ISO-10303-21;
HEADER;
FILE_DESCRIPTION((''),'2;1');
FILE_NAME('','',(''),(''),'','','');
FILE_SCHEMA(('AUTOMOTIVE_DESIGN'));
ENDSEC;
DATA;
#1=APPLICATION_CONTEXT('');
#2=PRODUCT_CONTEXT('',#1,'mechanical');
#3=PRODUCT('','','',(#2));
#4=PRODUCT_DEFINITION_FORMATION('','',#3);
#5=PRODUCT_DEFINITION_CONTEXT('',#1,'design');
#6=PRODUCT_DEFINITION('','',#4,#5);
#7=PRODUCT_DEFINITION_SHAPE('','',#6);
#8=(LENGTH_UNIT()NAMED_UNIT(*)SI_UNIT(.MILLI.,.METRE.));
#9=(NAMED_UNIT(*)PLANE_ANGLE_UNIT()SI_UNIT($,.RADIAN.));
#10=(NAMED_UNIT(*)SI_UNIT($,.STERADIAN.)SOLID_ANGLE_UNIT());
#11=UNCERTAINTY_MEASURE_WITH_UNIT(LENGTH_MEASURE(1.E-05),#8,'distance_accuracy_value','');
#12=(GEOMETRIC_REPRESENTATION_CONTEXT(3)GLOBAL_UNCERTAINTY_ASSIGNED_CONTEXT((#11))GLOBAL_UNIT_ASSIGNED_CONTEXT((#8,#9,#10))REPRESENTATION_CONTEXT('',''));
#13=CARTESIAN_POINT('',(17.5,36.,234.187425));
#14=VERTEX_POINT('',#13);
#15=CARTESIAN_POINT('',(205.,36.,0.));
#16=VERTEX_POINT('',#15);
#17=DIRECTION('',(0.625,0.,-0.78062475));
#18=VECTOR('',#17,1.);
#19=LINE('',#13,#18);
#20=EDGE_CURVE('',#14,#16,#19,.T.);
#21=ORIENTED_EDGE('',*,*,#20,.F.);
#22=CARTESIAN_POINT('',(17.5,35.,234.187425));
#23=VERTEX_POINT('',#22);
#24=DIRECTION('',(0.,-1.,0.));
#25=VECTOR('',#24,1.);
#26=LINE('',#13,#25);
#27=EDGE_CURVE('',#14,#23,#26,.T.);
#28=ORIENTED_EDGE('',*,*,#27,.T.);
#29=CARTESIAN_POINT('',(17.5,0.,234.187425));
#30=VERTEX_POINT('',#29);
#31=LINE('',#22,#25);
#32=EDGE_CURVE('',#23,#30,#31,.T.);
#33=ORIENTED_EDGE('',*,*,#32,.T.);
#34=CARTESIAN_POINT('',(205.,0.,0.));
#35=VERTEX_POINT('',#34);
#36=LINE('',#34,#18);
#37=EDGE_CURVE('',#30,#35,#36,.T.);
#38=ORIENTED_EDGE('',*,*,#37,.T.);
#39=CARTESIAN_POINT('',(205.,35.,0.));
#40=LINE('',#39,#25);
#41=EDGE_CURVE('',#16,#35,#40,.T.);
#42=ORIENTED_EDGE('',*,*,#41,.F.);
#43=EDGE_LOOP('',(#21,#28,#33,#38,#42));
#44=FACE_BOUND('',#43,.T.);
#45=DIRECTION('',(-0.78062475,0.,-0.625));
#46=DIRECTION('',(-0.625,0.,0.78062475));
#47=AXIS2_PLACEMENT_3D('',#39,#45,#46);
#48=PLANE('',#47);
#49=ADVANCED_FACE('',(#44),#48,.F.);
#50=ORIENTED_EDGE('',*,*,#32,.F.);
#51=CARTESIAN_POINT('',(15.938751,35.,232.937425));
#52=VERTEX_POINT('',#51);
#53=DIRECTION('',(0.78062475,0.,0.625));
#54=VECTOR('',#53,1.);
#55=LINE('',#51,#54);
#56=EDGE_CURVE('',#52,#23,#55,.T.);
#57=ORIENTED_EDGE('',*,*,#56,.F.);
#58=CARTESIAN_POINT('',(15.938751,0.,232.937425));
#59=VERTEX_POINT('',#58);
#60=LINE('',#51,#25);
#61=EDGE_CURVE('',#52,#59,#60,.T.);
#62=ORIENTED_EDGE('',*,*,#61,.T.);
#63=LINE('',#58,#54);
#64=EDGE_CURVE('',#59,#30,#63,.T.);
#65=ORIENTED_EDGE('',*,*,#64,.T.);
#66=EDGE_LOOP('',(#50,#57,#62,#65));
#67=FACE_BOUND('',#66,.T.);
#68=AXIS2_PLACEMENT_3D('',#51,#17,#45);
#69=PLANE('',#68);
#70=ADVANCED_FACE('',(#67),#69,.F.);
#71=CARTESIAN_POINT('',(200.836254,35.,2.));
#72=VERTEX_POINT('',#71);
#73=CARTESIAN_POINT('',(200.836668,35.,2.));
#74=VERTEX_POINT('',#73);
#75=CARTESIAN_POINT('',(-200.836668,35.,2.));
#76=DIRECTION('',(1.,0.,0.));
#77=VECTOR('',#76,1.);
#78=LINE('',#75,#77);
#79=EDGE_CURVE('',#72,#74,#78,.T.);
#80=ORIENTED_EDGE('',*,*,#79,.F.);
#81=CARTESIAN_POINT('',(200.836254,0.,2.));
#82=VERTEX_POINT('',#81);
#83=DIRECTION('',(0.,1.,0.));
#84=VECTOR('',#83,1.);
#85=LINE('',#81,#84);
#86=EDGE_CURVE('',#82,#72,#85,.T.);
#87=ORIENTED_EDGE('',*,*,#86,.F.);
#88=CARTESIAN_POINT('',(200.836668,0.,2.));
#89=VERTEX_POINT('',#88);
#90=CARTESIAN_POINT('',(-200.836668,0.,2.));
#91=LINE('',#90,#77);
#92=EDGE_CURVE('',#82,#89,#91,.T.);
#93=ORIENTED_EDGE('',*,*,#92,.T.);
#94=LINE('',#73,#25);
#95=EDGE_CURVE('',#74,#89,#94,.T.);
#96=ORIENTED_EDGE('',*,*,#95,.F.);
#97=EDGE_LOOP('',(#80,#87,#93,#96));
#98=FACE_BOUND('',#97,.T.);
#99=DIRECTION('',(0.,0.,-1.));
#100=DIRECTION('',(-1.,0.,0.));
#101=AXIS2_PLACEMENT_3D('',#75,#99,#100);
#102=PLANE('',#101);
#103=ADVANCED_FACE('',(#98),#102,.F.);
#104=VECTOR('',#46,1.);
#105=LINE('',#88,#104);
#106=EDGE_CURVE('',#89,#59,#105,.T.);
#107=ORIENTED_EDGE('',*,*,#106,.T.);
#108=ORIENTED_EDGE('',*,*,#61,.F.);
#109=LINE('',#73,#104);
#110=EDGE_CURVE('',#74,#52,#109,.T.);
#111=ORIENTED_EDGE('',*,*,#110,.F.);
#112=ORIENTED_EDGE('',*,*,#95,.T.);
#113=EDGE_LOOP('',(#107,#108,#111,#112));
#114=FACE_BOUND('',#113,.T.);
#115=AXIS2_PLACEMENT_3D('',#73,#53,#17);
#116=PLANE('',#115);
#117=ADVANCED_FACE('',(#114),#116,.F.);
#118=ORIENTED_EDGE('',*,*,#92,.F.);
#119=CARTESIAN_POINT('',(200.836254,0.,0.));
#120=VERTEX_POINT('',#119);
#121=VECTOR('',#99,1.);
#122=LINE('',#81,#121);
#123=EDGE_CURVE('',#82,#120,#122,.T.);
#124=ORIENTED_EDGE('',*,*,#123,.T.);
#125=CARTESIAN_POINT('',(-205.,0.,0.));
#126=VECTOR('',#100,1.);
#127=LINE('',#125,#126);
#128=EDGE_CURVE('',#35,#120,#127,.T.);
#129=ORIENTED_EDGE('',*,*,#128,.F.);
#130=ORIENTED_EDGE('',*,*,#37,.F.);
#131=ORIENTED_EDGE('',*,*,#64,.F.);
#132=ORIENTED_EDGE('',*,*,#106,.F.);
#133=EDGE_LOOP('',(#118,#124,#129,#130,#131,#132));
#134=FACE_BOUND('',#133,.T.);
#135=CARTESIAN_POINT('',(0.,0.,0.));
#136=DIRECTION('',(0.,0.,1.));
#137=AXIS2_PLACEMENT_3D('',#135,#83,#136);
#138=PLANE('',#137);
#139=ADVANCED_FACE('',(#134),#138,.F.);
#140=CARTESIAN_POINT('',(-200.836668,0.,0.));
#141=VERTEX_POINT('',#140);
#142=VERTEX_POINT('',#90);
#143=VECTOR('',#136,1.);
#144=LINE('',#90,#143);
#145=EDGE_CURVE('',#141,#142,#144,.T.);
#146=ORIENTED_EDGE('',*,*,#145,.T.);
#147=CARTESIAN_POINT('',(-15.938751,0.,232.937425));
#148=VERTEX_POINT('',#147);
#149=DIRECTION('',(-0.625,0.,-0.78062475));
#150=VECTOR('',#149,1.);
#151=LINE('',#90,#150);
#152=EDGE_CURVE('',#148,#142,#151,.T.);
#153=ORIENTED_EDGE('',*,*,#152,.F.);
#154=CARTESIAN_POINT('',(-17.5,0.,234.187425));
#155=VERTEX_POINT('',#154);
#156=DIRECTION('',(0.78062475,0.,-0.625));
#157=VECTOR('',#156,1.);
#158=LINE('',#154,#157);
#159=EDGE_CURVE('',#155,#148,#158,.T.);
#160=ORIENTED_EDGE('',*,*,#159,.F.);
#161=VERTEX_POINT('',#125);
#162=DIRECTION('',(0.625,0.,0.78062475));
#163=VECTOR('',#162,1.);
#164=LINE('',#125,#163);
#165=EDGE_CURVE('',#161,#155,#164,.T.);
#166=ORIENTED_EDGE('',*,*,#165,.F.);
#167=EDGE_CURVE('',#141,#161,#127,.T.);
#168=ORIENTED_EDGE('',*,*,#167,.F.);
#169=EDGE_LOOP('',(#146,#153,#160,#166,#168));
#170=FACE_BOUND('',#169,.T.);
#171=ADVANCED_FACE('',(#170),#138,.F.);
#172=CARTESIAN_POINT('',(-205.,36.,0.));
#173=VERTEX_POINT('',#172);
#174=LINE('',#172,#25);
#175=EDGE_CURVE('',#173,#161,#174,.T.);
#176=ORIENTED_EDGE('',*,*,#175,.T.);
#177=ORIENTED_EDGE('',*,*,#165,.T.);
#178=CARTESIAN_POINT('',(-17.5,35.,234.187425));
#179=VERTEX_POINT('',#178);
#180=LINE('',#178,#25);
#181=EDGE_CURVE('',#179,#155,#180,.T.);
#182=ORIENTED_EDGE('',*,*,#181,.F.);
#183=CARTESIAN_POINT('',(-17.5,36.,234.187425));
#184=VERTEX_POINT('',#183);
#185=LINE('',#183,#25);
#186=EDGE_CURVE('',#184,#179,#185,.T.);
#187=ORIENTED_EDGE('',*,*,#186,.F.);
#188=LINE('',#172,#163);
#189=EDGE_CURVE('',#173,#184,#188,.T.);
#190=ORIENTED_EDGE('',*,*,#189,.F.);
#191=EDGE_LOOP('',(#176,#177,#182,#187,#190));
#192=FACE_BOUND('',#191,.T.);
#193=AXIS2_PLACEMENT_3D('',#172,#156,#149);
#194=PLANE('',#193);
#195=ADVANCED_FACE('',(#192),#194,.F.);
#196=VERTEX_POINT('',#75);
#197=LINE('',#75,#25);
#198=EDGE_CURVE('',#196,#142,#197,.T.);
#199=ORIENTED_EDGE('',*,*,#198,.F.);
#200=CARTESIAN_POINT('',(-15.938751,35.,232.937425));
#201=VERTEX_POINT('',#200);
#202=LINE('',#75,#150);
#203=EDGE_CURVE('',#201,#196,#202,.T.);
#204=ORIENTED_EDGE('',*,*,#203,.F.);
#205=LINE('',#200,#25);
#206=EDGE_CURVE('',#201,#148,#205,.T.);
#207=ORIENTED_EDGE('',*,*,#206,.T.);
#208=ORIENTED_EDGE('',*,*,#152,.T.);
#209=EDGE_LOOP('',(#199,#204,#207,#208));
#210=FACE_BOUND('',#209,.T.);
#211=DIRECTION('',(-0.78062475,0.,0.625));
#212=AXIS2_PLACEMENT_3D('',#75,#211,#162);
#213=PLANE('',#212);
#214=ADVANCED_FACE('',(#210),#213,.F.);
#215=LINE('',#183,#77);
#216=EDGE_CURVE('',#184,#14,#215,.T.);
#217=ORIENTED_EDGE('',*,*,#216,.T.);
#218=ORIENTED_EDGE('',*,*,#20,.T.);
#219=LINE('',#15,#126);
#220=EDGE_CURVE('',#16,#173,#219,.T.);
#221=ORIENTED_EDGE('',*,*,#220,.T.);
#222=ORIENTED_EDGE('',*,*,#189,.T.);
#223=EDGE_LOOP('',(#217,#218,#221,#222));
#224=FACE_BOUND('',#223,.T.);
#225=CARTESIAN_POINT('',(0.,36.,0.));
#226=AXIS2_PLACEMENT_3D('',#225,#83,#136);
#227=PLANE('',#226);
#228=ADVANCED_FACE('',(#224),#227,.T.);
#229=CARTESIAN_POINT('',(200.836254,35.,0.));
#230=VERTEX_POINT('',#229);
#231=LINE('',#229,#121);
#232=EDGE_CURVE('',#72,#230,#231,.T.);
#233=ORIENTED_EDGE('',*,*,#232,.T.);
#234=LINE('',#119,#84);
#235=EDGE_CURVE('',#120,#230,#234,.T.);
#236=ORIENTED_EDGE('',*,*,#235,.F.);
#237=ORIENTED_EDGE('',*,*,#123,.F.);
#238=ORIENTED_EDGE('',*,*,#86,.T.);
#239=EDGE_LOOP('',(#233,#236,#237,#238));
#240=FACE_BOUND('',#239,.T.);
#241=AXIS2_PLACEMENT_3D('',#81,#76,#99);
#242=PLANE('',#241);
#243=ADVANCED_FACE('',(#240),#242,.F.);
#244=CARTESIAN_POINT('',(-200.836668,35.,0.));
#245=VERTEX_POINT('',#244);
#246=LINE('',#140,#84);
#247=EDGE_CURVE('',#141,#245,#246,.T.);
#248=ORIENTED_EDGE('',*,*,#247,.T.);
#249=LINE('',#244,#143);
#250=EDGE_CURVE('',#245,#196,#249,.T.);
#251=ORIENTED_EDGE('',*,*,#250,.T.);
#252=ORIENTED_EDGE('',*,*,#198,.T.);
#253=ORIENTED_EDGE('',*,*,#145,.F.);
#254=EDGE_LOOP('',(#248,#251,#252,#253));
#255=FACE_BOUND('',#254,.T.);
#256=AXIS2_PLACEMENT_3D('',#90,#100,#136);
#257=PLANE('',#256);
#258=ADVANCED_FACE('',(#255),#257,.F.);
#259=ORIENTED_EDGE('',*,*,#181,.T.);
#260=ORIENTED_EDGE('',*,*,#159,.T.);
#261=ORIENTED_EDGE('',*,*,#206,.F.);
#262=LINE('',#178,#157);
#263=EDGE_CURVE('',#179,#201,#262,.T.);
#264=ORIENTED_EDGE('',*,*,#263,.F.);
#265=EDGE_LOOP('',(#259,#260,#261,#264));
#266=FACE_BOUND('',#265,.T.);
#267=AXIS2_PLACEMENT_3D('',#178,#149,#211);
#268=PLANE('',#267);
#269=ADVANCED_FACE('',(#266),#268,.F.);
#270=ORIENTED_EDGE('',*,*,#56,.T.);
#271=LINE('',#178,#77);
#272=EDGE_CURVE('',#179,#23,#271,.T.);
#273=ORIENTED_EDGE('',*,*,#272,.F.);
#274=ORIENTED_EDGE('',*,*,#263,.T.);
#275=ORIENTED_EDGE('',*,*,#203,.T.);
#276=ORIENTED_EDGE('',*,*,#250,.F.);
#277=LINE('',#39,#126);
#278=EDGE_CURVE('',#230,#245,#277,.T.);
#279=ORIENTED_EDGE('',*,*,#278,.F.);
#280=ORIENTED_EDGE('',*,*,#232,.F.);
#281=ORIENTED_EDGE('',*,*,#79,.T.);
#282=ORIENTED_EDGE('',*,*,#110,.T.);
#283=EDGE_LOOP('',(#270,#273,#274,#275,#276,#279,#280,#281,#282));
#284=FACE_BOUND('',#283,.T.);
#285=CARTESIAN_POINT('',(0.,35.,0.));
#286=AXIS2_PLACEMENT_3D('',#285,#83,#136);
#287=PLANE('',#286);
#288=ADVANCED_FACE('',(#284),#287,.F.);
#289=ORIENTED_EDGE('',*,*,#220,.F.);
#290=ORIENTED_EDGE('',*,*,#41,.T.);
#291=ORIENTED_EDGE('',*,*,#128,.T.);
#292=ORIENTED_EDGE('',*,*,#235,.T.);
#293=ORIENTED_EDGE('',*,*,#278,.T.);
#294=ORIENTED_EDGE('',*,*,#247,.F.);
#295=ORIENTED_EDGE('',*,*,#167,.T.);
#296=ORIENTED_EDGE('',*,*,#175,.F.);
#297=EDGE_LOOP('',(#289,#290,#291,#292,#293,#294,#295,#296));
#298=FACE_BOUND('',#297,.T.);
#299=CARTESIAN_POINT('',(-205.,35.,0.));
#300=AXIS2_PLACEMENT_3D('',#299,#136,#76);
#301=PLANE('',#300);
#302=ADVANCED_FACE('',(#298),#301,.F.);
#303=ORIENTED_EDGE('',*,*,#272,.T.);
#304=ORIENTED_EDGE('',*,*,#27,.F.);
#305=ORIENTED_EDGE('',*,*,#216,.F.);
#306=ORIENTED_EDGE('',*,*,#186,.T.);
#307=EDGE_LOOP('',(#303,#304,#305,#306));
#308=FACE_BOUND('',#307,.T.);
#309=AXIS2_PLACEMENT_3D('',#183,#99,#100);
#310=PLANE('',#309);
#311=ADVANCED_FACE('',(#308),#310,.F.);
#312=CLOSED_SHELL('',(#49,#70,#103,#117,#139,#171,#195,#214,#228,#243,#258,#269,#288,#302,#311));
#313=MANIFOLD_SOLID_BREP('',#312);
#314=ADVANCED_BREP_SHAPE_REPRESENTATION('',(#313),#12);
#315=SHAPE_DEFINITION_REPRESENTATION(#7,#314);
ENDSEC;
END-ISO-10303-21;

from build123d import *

# Parameters (mm, degrees)
BOSS_EXTRUDE1_DEPTH     = 35
CUT_EXTRUDE1_DEPTH      = 314.199217751
CUT_EXTRUDE1_DEPTH_BACK = 314.199217751
SKETCH2_W               = 401.672921909
SKETCH2_H               = 2
BOSS_EXTRUDE2_DEPTH     = 1


with BuildPart() as part:
    # Sketch1 → Boss-Extrude1 (new body)
    with BuildSketch(Plane(origin=(0, 0, 0), x_dir=(1, 0, 0), z_dir=(0, 1, 0))):
        Polygon((-205, 0), (205, 0), (17.5, -234.18742494), (15.9387505, -232.93742494), (200.836668001, -2), (-200.836668001, -2), (-15.9387505, -232.93742494), (-17.5, -234.18742494), align=None)
    extrude(amount=BOSS_EXTRUDE1_DEPTH)

    # Sketch2 → Cut-Extrude1 (cut, two sides: drawn at the far end of the back side and taken through both)
    with BuildSketch(Plane(origin=(0, 35, 0), x_dir=(1, 0, 0), z_dir=(0, 1, 0)).offset(-CUT_EXTRUDE1_DEPTH_BACK)):
        with Locations((-0.000207047, -1)):
            Rectangle(SKETCH2_W, SKETCH2_H)
    extrude(amount=CUT_EXTRUDE1_DEPTH + CUT_EXTRUDE1_DEPTH_BACK, mode=Mode.SUBTRACT)


with BuildPart() as cut_extrude1_piece_1:
    # of the separate pieces the step leaves, piece 1, a body of its own (cut_extrude1_pieces)
    add(part.part.solids().sort_by_distance((200.836253908, 0, 0))[0])



with BuildPart() as cut_extrude1_piece_2:
    # of the separate pieces the step leaves, piece 2, a body of its own (cut_extrude1_pieces)
    add(part.part.solids().sort_by_distance((-205, 0, 0))[0])


with BuildPart() as cut_extrude1_piece_1_1:
    add(cut_extrude1_piece_1.part)

    add(cut_extrude1_piece_2.part)  # Boss-Extrude2 merges Cut-Extrude1 piece 2
    # Sketch3 → Boss-Extrude2 (add)
    with BuildSketch(Plane(origin=(0, 35, 0), x_dir=(1, 0, 0), z_dir=(0, 1, 0))):
        Polygon((-205, 0), (-17.5, -234.18742494), (17.5, -234.18742494), (205, 0), align=None)
    extrude(amount=BOSS_EXTRUDE2_DEPTH)


solid = cut_extrude1_piece_1_1.part
